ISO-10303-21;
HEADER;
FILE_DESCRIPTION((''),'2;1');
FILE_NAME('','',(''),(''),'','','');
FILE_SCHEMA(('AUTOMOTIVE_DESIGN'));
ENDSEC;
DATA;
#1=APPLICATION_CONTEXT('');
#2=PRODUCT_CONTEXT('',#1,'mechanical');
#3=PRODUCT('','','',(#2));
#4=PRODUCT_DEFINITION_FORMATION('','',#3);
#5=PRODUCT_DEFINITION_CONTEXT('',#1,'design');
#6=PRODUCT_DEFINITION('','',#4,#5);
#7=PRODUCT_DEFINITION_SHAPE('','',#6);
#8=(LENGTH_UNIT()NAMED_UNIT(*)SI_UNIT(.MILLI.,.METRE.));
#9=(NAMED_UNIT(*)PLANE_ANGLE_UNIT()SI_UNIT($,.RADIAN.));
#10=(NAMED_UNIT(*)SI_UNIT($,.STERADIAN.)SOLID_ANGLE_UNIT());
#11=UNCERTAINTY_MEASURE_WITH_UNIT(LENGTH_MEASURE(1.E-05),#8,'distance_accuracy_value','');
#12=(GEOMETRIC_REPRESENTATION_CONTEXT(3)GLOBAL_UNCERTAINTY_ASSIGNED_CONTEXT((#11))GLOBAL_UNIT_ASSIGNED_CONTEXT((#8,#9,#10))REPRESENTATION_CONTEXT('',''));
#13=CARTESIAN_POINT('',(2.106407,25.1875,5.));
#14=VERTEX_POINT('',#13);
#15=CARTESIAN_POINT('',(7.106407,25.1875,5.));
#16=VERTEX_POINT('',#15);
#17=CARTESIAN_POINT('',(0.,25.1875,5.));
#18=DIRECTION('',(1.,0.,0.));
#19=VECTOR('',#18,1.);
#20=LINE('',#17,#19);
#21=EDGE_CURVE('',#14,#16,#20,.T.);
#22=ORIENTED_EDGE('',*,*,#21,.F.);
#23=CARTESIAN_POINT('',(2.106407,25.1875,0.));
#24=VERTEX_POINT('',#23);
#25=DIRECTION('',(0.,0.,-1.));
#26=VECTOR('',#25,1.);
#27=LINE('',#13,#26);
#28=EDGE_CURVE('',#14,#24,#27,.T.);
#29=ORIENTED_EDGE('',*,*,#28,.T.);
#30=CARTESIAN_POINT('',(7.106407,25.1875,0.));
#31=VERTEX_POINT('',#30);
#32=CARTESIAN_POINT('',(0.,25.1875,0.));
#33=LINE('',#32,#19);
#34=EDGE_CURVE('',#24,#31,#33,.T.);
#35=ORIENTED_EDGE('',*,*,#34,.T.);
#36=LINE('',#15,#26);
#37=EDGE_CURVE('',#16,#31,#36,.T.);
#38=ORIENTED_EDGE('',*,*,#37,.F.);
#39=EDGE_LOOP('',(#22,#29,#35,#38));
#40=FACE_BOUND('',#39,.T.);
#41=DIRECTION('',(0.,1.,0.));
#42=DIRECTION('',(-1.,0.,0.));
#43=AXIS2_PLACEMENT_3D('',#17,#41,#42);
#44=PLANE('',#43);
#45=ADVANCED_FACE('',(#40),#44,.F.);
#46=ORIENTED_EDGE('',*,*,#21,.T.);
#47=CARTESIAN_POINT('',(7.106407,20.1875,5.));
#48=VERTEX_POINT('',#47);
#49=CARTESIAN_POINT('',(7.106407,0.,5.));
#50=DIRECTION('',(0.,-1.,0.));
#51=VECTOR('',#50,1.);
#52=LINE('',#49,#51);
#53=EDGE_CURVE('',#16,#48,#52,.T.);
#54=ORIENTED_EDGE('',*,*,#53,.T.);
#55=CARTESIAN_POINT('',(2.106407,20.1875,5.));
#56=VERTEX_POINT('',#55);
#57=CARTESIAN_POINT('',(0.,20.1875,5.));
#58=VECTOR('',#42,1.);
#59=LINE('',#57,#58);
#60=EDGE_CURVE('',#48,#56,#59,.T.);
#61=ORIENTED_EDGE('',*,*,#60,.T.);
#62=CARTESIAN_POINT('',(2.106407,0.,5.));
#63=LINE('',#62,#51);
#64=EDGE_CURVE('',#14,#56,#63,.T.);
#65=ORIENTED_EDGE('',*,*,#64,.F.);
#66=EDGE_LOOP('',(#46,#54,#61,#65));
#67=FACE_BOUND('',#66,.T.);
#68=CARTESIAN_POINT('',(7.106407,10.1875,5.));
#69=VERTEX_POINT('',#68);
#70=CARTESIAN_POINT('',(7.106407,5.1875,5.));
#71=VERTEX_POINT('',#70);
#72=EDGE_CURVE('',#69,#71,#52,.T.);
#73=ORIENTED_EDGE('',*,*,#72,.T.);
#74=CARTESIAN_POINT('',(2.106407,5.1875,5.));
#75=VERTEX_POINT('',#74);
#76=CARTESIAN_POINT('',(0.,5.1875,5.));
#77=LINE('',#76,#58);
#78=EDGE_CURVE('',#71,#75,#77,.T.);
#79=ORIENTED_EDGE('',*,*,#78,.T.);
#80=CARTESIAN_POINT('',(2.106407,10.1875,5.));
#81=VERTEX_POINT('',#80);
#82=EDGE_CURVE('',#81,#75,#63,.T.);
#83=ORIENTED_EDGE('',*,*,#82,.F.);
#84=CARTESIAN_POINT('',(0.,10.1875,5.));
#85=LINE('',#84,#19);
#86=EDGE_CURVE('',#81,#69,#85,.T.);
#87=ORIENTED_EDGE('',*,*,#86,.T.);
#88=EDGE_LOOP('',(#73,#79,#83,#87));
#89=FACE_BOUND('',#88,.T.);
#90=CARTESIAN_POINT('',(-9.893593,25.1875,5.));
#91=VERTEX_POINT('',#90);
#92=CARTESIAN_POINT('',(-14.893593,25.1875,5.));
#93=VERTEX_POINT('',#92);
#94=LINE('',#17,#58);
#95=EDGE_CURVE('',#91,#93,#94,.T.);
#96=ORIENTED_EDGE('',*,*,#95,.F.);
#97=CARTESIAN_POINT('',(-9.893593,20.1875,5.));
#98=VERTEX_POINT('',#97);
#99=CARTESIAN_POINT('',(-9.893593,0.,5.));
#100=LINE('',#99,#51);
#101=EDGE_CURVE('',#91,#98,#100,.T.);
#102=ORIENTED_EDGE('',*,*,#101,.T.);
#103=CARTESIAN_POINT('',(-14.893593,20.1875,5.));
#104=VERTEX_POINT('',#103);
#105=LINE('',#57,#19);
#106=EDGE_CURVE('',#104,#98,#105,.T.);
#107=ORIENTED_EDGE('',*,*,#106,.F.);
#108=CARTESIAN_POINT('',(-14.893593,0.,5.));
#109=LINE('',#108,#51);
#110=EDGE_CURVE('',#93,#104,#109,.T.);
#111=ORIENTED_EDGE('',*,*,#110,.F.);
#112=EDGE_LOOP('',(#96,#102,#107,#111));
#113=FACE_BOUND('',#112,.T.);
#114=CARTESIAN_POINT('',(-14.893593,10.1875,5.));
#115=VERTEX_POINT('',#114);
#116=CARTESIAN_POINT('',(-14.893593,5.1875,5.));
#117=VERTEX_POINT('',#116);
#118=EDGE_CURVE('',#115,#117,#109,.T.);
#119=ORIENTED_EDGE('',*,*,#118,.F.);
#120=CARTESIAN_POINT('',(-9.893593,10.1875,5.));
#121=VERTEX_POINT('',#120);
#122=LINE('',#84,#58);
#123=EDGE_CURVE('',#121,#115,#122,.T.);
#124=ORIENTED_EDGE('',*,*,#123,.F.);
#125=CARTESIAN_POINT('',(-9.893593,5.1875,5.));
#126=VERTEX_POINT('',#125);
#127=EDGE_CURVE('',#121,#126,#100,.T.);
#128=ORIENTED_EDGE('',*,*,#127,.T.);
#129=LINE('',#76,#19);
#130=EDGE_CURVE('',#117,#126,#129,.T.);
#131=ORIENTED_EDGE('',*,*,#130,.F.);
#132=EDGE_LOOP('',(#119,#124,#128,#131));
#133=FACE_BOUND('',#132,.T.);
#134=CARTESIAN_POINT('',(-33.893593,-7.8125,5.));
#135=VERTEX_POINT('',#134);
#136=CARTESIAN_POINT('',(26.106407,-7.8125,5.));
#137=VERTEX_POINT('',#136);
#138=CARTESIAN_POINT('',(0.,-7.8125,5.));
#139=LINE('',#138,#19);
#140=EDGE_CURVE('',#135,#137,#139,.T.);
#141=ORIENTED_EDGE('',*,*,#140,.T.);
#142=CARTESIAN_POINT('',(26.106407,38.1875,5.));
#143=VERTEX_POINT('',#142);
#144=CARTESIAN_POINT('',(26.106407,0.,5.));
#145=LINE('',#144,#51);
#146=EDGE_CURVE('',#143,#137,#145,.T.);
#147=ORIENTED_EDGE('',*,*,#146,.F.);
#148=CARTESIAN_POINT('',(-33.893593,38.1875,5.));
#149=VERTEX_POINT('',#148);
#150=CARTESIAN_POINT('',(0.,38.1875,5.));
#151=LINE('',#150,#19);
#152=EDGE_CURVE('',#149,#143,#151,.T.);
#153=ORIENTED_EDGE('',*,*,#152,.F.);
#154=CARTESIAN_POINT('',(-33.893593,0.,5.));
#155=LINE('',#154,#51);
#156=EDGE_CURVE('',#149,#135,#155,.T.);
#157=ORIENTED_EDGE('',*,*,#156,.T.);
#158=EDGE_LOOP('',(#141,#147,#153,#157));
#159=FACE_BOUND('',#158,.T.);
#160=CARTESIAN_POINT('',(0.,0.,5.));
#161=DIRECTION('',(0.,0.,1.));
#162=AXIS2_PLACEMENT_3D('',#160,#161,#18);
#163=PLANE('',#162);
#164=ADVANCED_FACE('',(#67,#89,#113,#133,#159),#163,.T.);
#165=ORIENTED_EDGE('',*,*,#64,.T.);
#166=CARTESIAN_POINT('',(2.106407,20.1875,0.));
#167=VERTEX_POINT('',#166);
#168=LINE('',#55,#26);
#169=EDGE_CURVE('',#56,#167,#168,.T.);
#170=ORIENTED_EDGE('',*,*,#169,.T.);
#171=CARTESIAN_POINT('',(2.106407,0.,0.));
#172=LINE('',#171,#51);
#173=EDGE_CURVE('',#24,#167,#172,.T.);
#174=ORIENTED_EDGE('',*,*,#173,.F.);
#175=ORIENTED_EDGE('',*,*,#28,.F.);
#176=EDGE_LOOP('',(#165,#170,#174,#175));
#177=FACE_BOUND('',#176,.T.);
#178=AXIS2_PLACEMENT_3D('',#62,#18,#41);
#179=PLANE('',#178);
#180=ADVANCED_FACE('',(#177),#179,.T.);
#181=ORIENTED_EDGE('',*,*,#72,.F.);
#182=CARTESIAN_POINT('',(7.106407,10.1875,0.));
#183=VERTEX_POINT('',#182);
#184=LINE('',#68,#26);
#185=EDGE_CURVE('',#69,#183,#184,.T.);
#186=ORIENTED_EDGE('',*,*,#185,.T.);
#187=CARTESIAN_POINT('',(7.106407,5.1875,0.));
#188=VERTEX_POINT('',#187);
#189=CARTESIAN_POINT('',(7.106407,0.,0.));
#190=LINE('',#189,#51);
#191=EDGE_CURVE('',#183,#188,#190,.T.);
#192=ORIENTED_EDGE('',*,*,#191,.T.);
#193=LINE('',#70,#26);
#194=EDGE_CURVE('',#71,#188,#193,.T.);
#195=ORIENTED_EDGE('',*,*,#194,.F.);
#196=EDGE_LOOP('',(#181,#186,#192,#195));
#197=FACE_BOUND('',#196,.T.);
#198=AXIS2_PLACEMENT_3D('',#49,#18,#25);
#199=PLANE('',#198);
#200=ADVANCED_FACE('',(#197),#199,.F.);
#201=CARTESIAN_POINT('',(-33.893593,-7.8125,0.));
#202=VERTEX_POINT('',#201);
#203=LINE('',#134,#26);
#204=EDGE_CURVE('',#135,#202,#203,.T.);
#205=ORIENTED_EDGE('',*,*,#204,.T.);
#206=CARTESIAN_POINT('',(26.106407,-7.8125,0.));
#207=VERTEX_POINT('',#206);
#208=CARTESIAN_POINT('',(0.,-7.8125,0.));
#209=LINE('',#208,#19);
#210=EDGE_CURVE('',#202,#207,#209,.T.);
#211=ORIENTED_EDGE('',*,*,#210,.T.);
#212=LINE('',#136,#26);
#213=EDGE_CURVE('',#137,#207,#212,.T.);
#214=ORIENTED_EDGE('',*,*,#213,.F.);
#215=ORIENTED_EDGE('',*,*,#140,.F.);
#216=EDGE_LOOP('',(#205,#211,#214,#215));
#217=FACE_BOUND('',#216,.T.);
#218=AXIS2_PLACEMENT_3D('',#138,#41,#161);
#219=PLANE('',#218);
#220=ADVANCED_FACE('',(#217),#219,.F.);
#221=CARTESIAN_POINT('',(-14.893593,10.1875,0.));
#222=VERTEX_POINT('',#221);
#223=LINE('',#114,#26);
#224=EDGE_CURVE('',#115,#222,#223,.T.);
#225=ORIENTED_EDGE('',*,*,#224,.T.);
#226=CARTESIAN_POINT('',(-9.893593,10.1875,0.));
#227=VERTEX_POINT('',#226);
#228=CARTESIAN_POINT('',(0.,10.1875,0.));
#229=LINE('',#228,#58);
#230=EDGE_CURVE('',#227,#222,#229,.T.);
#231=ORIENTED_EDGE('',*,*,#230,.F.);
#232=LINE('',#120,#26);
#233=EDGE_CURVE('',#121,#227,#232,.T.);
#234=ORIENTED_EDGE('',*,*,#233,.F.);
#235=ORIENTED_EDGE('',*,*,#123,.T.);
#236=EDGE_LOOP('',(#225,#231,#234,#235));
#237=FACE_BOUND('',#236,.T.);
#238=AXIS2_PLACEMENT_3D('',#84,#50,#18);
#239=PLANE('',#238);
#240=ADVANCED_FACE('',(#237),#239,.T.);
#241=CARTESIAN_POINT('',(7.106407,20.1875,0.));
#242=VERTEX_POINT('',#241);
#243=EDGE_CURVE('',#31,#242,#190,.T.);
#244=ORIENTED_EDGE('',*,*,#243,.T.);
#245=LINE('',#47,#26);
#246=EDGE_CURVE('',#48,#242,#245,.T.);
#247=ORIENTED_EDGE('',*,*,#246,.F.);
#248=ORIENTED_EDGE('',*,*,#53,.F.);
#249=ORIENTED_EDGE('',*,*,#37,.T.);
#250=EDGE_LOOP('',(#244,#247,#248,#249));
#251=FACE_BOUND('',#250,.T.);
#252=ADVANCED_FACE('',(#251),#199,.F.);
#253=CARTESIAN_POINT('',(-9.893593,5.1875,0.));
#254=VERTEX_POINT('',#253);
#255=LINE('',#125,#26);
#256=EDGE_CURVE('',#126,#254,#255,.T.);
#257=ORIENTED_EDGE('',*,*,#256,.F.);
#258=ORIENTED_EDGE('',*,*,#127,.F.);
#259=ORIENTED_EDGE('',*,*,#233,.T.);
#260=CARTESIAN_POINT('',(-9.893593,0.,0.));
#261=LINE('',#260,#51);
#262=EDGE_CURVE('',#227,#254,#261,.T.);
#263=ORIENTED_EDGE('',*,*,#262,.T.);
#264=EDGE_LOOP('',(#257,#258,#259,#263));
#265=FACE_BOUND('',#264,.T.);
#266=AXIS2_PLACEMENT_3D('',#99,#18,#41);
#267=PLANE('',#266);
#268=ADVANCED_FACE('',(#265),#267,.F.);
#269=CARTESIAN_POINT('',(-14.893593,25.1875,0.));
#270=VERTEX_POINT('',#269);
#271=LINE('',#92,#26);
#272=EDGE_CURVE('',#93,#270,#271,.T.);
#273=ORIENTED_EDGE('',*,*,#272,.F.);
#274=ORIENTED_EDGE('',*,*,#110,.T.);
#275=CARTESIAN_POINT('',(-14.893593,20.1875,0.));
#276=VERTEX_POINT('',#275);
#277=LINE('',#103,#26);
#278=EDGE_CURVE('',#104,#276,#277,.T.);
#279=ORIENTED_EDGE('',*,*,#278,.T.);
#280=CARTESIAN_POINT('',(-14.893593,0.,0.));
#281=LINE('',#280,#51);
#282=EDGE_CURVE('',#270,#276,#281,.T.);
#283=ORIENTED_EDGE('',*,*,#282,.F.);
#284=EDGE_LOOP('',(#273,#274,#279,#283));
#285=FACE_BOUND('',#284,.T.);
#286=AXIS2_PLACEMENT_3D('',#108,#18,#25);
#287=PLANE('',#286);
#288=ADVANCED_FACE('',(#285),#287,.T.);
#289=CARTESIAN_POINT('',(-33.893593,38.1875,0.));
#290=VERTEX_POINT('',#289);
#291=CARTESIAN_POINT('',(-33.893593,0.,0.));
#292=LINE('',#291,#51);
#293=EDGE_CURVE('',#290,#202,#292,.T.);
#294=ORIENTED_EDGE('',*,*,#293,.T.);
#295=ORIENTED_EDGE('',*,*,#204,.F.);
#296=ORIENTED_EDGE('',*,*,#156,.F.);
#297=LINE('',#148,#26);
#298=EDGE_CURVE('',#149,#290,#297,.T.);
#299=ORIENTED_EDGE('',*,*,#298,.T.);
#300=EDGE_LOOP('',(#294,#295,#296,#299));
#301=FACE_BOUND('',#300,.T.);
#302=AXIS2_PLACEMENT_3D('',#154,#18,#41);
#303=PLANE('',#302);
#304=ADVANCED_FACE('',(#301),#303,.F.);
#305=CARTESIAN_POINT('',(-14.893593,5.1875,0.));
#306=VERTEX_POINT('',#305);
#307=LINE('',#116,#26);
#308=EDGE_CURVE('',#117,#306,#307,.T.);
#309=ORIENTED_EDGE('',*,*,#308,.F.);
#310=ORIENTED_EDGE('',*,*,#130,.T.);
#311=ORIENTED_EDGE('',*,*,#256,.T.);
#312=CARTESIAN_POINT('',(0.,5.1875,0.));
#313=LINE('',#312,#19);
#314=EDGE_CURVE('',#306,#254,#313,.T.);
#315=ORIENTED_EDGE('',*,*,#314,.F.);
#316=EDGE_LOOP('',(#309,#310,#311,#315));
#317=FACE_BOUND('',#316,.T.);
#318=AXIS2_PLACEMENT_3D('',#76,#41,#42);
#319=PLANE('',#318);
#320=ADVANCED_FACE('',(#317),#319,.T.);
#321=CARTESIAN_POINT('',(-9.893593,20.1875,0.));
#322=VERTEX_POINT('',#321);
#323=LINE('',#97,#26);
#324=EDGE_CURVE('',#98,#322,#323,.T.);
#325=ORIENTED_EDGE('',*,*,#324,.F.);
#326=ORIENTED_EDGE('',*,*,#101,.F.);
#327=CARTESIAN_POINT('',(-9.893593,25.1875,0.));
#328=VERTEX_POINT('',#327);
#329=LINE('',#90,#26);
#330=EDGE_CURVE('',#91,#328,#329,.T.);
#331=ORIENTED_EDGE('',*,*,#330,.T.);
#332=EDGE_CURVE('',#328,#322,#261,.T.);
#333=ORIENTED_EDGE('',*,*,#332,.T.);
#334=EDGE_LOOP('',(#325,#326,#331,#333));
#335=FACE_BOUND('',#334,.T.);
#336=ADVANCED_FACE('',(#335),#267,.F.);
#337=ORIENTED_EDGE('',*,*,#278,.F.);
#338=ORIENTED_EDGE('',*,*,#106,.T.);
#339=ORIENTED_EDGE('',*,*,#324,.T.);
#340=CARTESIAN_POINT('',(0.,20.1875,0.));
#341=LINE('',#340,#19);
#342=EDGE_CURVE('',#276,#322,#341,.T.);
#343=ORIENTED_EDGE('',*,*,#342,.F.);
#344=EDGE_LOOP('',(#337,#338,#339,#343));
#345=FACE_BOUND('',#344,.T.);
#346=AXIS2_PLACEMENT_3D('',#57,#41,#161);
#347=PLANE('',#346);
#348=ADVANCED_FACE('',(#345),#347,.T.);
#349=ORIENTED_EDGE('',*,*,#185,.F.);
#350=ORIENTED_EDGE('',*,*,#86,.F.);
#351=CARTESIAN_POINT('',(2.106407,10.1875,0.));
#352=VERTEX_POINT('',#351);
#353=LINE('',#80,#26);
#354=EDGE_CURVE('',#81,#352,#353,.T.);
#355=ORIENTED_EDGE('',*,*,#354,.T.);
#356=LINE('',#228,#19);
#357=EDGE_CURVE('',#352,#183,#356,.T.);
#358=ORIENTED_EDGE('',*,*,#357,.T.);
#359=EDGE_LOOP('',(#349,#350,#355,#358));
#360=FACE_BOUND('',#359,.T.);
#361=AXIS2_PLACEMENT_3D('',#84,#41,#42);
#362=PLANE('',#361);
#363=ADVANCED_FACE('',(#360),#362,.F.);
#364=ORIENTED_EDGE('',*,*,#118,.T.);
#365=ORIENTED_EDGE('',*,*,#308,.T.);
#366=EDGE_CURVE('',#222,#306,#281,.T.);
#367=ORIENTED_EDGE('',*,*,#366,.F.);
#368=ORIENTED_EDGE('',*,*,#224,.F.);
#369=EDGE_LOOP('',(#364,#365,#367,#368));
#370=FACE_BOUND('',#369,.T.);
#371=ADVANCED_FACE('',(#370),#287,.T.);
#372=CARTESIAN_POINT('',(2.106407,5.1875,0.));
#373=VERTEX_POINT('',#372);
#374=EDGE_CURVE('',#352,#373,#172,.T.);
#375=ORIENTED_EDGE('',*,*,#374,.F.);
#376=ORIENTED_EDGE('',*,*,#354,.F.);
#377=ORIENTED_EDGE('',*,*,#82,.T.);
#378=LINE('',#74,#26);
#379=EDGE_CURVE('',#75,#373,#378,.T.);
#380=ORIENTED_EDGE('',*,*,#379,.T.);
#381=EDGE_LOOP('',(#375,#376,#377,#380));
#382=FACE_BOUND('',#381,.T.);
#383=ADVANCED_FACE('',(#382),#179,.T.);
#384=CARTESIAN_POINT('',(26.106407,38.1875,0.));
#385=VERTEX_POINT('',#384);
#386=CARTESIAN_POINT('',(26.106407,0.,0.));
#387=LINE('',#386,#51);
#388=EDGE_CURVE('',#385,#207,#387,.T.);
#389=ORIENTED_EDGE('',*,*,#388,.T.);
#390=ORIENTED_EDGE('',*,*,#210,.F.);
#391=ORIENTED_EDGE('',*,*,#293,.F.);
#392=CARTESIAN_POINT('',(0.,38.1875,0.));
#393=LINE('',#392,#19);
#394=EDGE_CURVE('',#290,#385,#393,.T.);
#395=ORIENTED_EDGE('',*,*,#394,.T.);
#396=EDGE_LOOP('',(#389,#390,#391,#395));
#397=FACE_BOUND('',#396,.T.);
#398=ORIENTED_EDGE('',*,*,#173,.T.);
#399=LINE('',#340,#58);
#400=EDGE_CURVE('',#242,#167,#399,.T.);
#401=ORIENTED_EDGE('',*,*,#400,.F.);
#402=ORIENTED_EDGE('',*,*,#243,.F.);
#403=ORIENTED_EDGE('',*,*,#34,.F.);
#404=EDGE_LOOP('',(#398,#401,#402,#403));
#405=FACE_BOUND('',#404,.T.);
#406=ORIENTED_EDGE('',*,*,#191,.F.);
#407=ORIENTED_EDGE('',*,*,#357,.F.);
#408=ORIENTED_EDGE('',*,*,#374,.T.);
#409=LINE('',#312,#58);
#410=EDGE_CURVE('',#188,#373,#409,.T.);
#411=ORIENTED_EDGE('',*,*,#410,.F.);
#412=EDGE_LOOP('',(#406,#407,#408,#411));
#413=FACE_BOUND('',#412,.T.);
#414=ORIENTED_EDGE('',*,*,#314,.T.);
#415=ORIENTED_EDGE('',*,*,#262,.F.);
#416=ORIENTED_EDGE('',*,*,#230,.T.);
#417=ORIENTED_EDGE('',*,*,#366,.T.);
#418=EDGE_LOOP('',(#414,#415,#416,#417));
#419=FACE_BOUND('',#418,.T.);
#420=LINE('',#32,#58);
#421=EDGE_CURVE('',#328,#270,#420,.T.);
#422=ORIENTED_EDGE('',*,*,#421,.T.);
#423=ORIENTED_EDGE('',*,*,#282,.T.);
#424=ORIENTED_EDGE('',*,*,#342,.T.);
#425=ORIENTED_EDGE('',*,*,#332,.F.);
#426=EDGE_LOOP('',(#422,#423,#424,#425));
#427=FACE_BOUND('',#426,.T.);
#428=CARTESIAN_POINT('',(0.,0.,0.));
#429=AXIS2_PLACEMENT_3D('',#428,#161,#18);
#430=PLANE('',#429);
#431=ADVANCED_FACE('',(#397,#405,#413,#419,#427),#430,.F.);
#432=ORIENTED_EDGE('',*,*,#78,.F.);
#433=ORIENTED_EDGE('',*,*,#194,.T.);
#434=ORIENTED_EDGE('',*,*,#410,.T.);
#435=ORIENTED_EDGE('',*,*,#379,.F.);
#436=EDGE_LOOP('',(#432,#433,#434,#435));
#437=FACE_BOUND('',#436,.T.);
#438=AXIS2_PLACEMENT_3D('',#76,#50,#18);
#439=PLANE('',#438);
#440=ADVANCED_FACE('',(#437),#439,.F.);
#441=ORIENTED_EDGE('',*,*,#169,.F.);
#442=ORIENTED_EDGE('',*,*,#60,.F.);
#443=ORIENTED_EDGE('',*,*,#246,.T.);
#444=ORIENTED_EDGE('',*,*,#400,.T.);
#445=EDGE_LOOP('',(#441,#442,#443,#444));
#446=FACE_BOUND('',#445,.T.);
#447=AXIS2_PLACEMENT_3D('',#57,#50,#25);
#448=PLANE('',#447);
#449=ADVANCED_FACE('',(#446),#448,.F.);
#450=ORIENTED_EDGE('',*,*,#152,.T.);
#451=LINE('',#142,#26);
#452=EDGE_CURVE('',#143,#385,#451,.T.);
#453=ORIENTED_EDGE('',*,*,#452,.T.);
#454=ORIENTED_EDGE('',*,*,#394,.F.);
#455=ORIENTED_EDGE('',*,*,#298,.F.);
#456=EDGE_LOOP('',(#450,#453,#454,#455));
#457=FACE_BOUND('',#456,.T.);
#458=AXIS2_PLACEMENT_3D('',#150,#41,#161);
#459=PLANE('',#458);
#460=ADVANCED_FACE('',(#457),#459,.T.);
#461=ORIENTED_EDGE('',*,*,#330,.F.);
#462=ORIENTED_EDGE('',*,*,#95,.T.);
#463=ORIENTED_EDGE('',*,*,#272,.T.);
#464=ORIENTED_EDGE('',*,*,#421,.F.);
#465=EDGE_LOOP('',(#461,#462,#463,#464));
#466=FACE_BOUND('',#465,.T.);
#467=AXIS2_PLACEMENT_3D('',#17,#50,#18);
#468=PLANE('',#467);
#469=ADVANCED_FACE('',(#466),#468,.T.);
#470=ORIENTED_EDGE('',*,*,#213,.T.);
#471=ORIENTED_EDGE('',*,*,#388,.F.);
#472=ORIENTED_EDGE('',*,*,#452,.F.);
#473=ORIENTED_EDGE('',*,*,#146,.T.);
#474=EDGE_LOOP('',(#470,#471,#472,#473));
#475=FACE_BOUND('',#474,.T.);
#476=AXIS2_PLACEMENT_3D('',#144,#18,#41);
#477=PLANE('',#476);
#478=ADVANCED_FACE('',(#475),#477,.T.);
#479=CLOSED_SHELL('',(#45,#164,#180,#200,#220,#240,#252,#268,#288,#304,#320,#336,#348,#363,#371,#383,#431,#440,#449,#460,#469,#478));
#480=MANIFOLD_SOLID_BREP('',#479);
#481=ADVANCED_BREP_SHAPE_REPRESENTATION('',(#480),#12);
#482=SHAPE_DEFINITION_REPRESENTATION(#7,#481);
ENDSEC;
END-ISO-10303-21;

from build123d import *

# Parameters (mm, degrees)
ESQUISSE1_W        = 60
ESQUISSE1_H        = 46
ESQUISSE1_W_2      = 12
ESQUISSE1_H_2      = 30
BOSS_EXTRU_1_DEPTH = 5


with BuildPart() as part:
    # Esquisse1 → Boss.-Extru.1 (new body)
    # profile 1 of 2: a face of its own
    with BuildSketch(Plane.XY):
        with Locations((-3.893592945, 15.1875)):
            Rectangle(ESQUISSE1_W, ESQUISSE1_H)
        Polygon((-14.893592945, 25.1875), (-9.893592945, 25.1875), (-9.893592945, 30.1875), (2.106407055, 30.1875), (2.106407055, 25.1875), (7.106407055, 25.1875), (7.106407055, 20.1875), (2.106407055, 20.1875), (2.106407055, 10.1875), (7.106407055, 10.1875), (7.106407055, 5.1875), (2.106407055, 5.1875), (2.106407055, 0.1875), (-9.893592945, 0.1875), (-9.893592945, 5.1875), (-14.893592945, 5.1875), (-14.893592945, 10.1875), (-9.893592945, 10.1875), (-9.893592945, 20.1875), (-14.893592945, 20.1875), align=None, mode=Mode.SUBTRACT)
    # profile 2 of 2: a face of its own
    with BuildSketch(Plane.XY):
        with Locations((-3.893592945, 15.1875)):
            Rectangle(ESQUISSE1_W_2, ESQUISSE1_H_2)
    extrude(amount=BOSS_EXTRU_1_DEPTH)


solid = part.part
